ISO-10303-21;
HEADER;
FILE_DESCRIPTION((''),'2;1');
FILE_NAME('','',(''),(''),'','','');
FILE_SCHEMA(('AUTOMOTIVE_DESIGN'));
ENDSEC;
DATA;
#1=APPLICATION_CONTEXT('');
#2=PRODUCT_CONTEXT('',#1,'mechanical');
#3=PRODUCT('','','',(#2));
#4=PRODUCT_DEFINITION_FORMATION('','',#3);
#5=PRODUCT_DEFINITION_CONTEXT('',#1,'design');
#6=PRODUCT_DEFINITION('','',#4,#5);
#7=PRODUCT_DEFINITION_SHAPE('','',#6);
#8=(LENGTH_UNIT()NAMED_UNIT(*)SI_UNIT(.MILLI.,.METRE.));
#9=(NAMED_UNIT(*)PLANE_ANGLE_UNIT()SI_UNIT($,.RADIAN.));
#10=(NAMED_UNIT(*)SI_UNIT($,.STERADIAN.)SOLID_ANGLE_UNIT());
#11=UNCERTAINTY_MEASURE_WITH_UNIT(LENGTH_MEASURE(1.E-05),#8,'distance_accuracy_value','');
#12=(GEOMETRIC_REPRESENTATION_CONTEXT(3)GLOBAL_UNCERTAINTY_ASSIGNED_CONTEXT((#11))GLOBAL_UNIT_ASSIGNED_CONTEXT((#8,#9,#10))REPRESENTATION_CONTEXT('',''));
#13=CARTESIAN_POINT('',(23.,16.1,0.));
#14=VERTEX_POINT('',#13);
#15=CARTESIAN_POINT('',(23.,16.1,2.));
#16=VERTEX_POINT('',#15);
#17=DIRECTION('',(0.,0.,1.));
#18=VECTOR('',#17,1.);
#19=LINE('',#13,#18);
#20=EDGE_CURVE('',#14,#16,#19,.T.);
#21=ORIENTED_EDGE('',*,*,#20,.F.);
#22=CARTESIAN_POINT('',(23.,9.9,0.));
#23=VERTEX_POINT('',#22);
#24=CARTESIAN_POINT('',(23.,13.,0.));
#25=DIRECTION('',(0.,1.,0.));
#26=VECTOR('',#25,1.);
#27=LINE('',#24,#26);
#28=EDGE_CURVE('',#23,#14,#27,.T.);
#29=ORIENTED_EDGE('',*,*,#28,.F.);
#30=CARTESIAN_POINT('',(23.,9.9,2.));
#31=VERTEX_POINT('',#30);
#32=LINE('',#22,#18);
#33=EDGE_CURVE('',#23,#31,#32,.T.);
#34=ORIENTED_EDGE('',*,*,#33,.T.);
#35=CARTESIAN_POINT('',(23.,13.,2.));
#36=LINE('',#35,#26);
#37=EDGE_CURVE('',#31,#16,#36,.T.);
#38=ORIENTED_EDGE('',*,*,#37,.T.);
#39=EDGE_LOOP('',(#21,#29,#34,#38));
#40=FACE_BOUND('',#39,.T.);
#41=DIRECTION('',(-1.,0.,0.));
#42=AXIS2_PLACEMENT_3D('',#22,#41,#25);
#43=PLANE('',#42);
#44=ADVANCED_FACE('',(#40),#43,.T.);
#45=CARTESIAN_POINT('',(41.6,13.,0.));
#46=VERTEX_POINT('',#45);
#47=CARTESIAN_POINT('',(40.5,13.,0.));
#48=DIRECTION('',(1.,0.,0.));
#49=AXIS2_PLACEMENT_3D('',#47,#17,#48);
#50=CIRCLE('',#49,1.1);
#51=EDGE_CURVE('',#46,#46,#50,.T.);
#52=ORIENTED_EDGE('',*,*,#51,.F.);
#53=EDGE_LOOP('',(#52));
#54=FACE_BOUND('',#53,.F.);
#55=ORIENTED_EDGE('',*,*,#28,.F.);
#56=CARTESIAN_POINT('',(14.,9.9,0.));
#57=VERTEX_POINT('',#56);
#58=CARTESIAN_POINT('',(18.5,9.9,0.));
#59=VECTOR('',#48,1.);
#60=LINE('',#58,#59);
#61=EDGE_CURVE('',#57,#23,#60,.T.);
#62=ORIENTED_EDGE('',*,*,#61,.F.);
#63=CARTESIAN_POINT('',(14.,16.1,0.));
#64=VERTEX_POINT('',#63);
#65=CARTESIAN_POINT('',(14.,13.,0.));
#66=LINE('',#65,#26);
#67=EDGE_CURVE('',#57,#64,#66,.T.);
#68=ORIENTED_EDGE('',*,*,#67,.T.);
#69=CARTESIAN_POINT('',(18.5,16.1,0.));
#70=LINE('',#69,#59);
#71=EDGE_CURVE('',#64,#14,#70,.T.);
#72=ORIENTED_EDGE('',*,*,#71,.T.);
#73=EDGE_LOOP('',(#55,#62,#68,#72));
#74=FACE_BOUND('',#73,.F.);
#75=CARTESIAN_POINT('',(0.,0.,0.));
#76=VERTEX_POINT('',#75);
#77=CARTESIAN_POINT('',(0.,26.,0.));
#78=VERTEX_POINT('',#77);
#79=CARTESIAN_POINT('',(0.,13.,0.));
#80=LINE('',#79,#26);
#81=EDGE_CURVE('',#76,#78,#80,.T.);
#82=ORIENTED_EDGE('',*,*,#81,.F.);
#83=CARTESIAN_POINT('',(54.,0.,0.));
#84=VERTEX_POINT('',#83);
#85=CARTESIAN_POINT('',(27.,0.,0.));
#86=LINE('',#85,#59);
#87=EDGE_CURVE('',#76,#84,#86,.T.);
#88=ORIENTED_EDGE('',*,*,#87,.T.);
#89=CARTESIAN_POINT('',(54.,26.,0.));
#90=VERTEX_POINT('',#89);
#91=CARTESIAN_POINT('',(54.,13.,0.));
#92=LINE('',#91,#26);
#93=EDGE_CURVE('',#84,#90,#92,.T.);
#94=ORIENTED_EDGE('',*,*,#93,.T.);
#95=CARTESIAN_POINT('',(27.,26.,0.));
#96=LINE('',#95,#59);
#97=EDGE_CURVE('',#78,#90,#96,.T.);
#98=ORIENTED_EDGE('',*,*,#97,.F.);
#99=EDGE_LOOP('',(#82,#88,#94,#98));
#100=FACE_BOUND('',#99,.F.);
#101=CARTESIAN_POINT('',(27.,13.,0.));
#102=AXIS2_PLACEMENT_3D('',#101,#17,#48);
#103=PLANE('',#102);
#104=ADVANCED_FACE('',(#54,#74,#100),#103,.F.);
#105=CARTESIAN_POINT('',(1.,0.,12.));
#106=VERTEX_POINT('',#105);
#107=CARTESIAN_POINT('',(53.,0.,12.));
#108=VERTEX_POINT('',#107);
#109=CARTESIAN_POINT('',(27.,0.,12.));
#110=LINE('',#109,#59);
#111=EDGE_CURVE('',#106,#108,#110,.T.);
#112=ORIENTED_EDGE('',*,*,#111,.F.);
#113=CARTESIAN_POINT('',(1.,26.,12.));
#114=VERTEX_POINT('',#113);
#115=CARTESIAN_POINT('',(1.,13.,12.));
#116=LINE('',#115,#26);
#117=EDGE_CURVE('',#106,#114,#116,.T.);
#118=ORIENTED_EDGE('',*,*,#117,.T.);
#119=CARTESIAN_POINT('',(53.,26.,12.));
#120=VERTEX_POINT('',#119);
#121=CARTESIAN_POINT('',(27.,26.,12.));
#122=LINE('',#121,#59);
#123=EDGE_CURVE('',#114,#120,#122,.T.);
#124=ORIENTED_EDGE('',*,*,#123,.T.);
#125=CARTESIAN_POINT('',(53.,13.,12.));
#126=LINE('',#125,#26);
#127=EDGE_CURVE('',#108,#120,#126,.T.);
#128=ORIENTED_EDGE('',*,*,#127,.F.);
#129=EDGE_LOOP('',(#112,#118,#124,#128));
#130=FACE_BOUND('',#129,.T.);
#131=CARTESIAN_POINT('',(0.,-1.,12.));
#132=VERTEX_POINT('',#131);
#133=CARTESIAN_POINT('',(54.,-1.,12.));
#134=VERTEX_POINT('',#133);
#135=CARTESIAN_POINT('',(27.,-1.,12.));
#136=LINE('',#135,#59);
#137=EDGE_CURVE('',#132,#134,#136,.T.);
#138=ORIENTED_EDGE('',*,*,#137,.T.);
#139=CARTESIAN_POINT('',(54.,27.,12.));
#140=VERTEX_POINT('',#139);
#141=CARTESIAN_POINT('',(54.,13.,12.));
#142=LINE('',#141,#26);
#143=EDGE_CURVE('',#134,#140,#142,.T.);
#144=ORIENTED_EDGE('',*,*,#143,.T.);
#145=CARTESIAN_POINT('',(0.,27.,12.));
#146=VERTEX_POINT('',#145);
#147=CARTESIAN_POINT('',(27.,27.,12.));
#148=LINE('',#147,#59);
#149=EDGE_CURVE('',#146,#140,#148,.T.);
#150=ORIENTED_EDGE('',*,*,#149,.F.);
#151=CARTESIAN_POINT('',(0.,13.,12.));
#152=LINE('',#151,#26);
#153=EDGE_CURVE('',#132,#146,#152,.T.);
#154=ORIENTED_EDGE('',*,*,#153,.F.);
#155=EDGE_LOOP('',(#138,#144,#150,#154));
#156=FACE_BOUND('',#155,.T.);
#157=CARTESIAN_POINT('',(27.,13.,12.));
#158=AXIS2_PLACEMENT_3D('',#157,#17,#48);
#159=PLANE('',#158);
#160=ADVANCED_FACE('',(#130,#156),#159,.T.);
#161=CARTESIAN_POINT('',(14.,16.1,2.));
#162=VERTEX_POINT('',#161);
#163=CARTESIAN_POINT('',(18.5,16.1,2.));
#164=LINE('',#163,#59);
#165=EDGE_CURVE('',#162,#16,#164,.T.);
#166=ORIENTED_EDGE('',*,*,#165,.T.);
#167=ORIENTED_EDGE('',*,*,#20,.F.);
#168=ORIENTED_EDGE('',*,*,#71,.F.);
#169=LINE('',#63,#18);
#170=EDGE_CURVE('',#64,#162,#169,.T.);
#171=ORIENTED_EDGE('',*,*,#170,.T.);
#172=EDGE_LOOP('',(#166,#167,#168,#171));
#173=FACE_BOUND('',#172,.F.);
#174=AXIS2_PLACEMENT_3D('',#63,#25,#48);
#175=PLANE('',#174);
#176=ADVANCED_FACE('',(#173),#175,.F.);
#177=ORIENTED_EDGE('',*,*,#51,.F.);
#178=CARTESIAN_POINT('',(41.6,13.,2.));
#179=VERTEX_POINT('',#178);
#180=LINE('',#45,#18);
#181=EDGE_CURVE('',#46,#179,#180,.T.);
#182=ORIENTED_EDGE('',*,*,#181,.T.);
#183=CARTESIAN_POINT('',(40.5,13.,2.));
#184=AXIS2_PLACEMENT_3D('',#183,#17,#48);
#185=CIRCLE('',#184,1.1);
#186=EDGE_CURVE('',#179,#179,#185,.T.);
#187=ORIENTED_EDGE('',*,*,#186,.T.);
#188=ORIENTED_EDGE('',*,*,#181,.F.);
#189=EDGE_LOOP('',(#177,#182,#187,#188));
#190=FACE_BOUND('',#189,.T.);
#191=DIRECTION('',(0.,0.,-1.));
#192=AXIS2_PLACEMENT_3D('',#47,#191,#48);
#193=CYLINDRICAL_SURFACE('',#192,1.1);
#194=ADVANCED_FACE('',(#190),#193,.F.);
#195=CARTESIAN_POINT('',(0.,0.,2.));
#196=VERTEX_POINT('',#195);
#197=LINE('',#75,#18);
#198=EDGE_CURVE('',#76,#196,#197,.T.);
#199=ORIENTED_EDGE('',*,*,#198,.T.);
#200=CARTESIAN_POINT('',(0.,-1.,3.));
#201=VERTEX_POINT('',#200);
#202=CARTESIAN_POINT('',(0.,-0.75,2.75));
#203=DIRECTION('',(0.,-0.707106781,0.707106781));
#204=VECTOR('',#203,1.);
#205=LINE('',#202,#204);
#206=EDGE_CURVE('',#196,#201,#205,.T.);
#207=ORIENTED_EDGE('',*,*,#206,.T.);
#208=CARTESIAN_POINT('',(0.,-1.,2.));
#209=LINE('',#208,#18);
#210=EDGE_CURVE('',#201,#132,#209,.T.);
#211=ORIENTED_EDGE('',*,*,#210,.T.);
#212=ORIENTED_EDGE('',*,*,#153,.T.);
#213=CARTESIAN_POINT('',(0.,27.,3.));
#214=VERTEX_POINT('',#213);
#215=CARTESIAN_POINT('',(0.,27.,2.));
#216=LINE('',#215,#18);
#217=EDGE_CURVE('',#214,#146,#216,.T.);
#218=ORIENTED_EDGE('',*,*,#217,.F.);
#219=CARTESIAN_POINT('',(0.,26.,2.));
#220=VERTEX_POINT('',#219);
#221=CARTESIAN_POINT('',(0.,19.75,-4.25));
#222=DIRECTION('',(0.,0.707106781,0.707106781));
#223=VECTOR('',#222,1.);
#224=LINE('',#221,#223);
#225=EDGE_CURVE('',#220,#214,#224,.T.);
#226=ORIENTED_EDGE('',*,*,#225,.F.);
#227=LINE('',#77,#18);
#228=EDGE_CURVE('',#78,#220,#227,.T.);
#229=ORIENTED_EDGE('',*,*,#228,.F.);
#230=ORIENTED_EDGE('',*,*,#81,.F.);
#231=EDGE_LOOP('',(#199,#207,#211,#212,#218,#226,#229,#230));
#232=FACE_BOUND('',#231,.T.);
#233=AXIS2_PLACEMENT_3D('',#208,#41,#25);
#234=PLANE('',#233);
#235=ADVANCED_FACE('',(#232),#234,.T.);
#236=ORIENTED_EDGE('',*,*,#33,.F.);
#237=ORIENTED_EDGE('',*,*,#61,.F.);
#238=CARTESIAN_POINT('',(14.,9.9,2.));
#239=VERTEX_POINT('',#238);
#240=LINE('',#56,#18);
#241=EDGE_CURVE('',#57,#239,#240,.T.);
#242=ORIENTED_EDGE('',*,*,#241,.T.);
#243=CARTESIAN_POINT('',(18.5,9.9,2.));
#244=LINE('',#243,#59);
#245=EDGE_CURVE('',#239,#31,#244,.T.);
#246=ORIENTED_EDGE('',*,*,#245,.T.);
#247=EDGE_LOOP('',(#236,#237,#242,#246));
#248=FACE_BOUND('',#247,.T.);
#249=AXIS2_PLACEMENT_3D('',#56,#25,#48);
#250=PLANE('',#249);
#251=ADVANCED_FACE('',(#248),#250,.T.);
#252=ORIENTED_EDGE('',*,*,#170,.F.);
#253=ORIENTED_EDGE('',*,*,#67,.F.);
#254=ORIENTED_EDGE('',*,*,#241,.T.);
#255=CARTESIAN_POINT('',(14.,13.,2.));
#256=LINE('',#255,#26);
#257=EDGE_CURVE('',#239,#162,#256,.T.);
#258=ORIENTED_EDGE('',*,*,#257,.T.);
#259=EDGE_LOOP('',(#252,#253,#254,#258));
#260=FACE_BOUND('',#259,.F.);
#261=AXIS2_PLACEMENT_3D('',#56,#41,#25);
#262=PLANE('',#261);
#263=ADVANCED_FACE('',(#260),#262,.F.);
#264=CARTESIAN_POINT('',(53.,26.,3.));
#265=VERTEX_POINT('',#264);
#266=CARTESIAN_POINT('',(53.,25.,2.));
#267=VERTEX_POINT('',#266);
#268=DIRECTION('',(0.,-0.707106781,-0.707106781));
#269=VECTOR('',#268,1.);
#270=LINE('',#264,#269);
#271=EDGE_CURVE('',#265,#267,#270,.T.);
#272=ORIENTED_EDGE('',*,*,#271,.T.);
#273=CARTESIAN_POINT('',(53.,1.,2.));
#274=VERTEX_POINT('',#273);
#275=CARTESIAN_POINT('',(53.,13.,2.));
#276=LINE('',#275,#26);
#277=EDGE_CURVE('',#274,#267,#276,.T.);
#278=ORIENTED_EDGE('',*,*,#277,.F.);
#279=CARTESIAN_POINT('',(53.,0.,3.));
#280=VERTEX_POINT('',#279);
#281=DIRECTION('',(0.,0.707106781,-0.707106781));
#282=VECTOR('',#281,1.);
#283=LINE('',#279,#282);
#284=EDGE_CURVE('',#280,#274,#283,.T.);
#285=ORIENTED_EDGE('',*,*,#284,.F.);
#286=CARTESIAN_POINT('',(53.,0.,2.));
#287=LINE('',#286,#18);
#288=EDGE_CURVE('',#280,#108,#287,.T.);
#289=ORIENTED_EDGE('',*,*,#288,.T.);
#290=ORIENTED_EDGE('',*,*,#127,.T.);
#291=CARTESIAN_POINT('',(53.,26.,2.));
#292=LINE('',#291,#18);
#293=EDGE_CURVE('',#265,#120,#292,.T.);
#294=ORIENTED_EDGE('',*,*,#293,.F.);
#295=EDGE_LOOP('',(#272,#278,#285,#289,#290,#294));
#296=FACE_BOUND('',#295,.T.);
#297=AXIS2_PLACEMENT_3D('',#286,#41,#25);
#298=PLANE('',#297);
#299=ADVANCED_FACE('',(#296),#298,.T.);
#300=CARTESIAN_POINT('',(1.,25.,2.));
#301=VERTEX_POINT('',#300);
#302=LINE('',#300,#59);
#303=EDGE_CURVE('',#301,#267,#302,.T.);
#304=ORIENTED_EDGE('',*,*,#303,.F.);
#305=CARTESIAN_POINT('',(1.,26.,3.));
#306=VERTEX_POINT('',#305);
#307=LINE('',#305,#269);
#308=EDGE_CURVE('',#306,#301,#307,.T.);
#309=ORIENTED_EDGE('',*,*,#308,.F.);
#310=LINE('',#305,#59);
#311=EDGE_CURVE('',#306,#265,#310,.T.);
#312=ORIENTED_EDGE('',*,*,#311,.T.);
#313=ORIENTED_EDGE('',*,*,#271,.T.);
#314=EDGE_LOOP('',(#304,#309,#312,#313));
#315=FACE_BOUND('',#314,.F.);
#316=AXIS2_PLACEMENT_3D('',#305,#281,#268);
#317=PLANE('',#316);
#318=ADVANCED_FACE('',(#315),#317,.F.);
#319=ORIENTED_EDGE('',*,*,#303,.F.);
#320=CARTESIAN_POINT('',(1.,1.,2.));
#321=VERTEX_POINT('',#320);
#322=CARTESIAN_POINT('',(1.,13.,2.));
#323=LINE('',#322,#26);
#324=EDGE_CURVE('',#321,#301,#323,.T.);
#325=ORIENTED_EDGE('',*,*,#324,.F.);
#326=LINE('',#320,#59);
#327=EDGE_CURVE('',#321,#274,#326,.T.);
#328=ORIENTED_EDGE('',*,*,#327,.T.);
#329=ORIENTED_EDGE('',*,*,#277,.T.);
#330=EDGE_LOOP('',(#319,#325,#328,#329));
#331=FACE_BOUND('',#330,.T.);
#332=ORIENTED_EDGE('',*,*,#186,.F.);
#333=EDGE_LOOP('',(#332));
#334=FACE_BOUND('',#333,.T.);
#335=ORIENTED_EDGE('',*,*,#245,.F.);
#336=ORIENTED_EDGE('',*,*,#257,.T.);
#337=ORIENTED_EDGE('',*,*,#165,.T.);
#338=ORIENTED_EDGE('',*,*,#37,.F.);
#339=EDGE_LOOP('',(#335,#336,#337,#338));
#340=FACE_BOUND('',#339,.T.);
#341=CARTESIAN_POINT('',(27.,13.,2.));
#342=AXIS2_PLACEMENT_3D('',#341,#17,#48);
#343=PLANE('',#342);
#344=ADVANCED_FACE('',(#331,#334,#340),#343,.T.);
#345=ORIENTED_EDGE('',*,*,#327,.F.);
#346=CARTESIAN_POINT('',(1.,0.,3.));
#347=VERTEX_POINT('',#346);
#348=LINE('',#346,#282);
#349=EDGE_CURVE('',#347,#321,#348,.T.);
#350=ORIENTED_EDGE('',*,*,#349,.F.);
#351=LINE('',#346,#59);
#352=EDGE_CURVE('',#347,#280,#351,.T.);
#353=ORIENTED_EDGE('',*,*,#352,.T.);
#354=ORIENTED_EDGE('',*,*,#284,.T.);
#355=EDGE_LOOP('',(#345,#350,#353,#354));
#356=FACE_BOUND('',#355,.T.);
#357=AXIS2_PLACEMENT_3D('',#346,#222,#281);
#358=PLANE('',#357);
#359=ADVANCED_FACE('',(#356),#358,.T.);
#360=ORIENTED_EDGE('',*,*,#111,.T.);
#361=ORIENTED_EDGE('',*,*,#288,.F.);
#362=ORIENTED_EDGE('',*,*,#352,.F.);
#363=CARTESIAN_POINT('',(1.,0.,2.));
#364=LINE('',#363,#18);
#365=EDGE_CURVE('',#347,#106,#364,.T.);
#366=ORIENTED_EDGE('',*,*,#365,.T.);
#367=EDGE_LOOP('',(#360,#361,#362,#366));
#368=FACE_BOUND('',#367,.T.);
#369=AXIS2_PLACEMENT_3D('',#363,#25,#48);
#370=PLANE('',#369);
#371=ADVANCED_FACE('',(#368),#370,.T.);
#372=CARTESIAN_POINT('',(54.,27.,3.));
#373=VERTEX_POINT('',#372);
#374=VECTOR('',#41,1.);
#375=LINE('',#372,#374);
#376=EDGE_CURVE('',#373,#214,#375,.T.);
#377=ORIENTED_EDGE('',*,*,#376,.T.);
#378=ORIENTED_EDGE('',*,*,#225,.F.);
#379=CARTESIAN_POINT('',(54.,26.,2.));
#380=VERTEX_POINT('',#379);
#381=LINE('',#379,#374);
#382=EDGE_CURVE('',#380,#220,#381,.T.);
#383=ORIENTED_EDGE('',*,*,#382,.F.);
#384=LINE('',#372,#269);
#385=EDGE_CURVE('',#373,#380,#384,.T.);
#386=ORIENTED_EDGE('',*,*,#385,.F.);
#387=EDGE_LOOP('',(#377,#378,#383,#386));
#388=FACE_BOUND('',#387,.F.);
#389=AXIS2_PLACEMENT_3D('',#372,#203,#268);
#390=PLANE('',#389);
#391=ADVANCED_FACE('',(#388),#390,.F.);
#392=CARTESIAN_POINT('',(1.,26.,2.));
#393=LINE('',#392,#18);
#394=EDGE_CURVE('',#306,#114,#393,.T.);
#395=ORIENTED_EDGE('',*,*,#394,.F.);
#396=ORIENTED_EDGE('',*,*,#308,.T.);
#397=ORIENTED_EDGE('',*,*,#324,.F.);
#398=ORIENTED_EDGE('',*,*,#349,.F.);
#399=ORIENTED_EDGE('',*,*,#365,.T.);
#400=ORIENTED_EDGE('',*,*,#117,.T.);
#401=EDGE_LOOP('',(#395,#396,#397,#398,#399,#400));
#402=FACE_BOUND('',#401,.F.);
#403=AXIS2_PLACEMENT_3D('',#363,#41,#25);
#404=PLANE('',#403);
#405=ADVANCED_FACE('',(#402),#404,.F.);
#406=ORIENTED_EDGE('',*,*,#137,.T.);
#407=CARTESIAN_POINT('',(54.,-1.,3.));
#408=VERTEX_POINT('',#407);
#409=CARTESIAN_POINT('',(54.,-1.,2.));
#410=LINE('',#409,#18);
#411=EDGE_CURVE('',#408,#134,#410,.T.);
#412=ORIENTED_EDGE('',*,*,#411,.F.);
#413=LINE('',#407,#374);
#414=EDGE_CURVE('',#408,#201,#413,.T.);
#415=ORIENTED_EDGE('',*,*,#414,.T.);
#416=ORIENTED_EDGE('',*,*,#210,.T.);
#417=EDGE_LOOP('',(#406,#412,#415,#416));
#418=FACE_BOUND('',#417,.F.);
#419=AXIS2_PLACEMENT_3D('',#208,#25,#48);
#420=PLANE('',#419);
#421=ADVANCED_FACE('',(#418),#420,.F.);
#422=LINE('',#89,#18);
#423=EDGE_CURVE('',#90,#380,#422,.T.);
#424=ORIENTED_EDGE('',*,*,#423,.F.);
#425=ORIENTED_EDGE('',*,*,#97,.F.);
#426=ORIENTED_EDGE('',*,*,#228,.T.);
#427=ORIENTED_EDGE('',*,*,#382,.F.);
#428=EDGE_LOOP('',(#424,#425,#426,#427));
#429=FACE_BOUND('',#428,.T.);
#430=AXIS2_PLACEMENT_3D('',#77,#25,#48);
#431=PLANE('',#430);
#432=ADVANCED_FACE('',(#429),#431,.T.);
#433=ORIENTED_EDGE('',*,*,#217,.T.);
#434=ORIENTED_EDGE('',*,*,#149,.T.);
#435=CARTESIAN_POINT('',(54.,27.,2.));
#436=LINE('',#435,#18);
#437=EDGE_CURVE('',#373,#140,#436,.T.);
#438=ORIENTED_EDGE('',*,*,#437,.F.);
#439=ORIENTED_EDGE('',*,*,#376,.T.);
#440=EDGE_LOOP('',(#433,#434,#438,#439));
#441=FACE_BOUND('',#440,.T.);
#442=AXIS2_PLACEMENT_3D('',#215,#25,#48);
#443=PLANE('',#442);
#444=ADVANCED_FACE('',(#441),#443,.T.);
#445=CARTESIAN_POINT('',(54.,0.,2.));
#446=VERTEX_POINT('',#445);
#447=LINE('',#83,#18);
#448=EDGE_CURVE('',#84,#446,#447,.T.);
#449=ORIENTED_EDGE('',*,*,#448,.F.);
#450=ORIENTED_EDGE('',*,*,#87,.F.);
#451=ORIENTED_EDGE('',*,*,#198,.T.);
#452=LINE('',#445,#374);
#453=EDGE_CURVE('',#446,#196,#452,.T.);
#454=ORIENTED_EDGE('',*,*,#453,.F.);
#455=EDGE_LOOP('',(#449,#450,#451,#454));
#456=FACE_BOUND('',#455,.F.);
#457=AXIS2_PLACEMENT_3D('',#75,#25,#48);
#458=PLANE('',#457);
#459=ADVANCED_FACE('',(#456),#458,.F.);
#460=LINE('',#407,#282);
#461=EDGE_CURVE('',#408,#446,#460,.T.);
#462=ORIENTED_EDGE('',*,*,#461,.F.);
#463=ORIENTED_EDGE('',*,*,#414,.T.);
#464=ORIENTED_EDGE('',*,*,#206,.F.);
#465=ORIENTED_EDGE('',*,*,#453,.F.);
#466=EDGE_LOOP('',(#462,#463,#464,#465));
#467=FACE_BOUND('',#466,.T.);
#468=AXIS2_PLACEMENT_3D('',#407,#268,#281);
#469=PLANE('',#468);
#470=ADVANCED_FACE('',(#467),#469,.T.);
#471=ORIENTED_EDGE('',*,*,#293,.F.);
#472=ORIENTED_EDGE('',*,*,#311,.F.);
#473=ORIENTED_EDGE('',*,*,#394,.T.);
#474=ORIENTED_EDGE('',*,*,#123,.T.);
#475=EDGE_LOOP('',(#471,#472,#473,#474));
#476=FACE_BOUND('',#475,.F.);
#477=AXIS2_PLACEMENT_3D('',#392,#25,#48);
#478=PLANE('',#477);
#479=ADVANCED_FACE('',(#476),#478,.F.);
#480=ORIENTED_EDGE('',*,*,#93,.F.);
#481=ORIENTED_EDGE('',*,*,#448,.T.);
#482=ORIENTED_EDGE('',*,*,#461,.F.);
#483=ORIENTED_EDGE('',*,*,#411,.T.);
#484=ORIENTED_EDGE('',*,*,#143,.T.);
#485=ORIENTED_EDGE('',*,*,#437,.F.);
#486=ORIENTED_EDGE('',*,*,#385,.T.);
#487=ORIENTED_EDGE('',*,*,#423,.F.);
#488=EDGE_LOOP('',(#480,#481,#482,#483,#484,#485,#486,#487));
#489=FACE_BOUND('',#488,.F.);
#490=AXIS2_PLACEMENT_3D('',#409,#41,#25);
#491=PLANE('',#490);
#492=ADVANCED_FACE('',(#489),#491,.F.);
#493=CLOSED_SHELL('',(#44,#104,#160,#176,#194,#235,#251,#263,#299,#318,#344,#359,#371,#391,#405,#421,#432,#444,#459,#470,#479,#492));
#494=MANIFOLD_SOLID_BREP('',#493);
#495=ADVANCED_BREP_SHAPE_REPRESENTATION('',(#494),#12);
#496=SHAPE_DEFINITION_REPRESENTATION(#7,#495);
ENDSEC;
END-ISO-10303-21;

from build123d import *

# Parameters (mm, degrees)
SKETCH_W      = 54
SKETCH_H      = 26
SKETCH_R      = 1.1
SKETCH_W_2    = 9
SKETCH_H_2    = 6.2
PAD_DEPTH     = 2
SKETCH001_W   = 54
SKETCH001_H   = 28
SKETCH001_W_2 = 52
SKETCH001_H_2 = 26
PAD001_DEPTH  = 10
PAD002_DEPTH  = 52
POCKET_DEPTH  = 54.001


with BuildPart() as part:
    # Sketch → Pad (new body)
    with BuildSketch(Plane.XY):
        with Locations((27, 13)):
            Rectangle(SKETCH_W, SKETCH_H)
        with Locations((40.5, 13)):
            Circle(SKETCH_R, mode=Mode.SUBTRACT)
        with Locations((18.5, 13)):
            Rectangle(SKETCH_W_2, SKETCH_H_2, mode=Mode.SUBTRACT)
    extrude(amount=PAD_DEPTH)

    # Sketch001 (on Face11 of Pad) → Pad001 (join)
    with BuildSketch(Plane.XY.offset(2)):
        with Locations((27, 13)):
            Rectangle(SKETCH001_W, SKETCH001_H)
        with Locations((27, 13)):
            Rectangle(SKETCH001_W_2, SKETCH001_H_2, mode=Mode.SUBTRACT)
    extrude(amount=PAD001_DEPTH)

    # Sketch002 (on Face22 of Pad001) → Pad002 (join)
    with BuildSketch(Plane.YZ.offset(1)):
        Polygon((0, 2), (0, 3), (1, 2), align=None)
        Polygon((26, 2), (26, 3), (25, 2), align=None)
    extrude(amount=PAD002_DEPTH)

    # Sketch003 (on Face8 of Pad002) → Pocket (cut, through all)
    with BuildSketch(Plane.YZ.offset(54)):
        Polygon((-1, 2), (-1, 3), (0, 2), align=None)
        Polygon((27, 2), (27, 3), (26, 2), align=None)
    extrude(amount=-POCKET_DEPTH, mode=Mode.SUBTRACT)


solid = part.part
